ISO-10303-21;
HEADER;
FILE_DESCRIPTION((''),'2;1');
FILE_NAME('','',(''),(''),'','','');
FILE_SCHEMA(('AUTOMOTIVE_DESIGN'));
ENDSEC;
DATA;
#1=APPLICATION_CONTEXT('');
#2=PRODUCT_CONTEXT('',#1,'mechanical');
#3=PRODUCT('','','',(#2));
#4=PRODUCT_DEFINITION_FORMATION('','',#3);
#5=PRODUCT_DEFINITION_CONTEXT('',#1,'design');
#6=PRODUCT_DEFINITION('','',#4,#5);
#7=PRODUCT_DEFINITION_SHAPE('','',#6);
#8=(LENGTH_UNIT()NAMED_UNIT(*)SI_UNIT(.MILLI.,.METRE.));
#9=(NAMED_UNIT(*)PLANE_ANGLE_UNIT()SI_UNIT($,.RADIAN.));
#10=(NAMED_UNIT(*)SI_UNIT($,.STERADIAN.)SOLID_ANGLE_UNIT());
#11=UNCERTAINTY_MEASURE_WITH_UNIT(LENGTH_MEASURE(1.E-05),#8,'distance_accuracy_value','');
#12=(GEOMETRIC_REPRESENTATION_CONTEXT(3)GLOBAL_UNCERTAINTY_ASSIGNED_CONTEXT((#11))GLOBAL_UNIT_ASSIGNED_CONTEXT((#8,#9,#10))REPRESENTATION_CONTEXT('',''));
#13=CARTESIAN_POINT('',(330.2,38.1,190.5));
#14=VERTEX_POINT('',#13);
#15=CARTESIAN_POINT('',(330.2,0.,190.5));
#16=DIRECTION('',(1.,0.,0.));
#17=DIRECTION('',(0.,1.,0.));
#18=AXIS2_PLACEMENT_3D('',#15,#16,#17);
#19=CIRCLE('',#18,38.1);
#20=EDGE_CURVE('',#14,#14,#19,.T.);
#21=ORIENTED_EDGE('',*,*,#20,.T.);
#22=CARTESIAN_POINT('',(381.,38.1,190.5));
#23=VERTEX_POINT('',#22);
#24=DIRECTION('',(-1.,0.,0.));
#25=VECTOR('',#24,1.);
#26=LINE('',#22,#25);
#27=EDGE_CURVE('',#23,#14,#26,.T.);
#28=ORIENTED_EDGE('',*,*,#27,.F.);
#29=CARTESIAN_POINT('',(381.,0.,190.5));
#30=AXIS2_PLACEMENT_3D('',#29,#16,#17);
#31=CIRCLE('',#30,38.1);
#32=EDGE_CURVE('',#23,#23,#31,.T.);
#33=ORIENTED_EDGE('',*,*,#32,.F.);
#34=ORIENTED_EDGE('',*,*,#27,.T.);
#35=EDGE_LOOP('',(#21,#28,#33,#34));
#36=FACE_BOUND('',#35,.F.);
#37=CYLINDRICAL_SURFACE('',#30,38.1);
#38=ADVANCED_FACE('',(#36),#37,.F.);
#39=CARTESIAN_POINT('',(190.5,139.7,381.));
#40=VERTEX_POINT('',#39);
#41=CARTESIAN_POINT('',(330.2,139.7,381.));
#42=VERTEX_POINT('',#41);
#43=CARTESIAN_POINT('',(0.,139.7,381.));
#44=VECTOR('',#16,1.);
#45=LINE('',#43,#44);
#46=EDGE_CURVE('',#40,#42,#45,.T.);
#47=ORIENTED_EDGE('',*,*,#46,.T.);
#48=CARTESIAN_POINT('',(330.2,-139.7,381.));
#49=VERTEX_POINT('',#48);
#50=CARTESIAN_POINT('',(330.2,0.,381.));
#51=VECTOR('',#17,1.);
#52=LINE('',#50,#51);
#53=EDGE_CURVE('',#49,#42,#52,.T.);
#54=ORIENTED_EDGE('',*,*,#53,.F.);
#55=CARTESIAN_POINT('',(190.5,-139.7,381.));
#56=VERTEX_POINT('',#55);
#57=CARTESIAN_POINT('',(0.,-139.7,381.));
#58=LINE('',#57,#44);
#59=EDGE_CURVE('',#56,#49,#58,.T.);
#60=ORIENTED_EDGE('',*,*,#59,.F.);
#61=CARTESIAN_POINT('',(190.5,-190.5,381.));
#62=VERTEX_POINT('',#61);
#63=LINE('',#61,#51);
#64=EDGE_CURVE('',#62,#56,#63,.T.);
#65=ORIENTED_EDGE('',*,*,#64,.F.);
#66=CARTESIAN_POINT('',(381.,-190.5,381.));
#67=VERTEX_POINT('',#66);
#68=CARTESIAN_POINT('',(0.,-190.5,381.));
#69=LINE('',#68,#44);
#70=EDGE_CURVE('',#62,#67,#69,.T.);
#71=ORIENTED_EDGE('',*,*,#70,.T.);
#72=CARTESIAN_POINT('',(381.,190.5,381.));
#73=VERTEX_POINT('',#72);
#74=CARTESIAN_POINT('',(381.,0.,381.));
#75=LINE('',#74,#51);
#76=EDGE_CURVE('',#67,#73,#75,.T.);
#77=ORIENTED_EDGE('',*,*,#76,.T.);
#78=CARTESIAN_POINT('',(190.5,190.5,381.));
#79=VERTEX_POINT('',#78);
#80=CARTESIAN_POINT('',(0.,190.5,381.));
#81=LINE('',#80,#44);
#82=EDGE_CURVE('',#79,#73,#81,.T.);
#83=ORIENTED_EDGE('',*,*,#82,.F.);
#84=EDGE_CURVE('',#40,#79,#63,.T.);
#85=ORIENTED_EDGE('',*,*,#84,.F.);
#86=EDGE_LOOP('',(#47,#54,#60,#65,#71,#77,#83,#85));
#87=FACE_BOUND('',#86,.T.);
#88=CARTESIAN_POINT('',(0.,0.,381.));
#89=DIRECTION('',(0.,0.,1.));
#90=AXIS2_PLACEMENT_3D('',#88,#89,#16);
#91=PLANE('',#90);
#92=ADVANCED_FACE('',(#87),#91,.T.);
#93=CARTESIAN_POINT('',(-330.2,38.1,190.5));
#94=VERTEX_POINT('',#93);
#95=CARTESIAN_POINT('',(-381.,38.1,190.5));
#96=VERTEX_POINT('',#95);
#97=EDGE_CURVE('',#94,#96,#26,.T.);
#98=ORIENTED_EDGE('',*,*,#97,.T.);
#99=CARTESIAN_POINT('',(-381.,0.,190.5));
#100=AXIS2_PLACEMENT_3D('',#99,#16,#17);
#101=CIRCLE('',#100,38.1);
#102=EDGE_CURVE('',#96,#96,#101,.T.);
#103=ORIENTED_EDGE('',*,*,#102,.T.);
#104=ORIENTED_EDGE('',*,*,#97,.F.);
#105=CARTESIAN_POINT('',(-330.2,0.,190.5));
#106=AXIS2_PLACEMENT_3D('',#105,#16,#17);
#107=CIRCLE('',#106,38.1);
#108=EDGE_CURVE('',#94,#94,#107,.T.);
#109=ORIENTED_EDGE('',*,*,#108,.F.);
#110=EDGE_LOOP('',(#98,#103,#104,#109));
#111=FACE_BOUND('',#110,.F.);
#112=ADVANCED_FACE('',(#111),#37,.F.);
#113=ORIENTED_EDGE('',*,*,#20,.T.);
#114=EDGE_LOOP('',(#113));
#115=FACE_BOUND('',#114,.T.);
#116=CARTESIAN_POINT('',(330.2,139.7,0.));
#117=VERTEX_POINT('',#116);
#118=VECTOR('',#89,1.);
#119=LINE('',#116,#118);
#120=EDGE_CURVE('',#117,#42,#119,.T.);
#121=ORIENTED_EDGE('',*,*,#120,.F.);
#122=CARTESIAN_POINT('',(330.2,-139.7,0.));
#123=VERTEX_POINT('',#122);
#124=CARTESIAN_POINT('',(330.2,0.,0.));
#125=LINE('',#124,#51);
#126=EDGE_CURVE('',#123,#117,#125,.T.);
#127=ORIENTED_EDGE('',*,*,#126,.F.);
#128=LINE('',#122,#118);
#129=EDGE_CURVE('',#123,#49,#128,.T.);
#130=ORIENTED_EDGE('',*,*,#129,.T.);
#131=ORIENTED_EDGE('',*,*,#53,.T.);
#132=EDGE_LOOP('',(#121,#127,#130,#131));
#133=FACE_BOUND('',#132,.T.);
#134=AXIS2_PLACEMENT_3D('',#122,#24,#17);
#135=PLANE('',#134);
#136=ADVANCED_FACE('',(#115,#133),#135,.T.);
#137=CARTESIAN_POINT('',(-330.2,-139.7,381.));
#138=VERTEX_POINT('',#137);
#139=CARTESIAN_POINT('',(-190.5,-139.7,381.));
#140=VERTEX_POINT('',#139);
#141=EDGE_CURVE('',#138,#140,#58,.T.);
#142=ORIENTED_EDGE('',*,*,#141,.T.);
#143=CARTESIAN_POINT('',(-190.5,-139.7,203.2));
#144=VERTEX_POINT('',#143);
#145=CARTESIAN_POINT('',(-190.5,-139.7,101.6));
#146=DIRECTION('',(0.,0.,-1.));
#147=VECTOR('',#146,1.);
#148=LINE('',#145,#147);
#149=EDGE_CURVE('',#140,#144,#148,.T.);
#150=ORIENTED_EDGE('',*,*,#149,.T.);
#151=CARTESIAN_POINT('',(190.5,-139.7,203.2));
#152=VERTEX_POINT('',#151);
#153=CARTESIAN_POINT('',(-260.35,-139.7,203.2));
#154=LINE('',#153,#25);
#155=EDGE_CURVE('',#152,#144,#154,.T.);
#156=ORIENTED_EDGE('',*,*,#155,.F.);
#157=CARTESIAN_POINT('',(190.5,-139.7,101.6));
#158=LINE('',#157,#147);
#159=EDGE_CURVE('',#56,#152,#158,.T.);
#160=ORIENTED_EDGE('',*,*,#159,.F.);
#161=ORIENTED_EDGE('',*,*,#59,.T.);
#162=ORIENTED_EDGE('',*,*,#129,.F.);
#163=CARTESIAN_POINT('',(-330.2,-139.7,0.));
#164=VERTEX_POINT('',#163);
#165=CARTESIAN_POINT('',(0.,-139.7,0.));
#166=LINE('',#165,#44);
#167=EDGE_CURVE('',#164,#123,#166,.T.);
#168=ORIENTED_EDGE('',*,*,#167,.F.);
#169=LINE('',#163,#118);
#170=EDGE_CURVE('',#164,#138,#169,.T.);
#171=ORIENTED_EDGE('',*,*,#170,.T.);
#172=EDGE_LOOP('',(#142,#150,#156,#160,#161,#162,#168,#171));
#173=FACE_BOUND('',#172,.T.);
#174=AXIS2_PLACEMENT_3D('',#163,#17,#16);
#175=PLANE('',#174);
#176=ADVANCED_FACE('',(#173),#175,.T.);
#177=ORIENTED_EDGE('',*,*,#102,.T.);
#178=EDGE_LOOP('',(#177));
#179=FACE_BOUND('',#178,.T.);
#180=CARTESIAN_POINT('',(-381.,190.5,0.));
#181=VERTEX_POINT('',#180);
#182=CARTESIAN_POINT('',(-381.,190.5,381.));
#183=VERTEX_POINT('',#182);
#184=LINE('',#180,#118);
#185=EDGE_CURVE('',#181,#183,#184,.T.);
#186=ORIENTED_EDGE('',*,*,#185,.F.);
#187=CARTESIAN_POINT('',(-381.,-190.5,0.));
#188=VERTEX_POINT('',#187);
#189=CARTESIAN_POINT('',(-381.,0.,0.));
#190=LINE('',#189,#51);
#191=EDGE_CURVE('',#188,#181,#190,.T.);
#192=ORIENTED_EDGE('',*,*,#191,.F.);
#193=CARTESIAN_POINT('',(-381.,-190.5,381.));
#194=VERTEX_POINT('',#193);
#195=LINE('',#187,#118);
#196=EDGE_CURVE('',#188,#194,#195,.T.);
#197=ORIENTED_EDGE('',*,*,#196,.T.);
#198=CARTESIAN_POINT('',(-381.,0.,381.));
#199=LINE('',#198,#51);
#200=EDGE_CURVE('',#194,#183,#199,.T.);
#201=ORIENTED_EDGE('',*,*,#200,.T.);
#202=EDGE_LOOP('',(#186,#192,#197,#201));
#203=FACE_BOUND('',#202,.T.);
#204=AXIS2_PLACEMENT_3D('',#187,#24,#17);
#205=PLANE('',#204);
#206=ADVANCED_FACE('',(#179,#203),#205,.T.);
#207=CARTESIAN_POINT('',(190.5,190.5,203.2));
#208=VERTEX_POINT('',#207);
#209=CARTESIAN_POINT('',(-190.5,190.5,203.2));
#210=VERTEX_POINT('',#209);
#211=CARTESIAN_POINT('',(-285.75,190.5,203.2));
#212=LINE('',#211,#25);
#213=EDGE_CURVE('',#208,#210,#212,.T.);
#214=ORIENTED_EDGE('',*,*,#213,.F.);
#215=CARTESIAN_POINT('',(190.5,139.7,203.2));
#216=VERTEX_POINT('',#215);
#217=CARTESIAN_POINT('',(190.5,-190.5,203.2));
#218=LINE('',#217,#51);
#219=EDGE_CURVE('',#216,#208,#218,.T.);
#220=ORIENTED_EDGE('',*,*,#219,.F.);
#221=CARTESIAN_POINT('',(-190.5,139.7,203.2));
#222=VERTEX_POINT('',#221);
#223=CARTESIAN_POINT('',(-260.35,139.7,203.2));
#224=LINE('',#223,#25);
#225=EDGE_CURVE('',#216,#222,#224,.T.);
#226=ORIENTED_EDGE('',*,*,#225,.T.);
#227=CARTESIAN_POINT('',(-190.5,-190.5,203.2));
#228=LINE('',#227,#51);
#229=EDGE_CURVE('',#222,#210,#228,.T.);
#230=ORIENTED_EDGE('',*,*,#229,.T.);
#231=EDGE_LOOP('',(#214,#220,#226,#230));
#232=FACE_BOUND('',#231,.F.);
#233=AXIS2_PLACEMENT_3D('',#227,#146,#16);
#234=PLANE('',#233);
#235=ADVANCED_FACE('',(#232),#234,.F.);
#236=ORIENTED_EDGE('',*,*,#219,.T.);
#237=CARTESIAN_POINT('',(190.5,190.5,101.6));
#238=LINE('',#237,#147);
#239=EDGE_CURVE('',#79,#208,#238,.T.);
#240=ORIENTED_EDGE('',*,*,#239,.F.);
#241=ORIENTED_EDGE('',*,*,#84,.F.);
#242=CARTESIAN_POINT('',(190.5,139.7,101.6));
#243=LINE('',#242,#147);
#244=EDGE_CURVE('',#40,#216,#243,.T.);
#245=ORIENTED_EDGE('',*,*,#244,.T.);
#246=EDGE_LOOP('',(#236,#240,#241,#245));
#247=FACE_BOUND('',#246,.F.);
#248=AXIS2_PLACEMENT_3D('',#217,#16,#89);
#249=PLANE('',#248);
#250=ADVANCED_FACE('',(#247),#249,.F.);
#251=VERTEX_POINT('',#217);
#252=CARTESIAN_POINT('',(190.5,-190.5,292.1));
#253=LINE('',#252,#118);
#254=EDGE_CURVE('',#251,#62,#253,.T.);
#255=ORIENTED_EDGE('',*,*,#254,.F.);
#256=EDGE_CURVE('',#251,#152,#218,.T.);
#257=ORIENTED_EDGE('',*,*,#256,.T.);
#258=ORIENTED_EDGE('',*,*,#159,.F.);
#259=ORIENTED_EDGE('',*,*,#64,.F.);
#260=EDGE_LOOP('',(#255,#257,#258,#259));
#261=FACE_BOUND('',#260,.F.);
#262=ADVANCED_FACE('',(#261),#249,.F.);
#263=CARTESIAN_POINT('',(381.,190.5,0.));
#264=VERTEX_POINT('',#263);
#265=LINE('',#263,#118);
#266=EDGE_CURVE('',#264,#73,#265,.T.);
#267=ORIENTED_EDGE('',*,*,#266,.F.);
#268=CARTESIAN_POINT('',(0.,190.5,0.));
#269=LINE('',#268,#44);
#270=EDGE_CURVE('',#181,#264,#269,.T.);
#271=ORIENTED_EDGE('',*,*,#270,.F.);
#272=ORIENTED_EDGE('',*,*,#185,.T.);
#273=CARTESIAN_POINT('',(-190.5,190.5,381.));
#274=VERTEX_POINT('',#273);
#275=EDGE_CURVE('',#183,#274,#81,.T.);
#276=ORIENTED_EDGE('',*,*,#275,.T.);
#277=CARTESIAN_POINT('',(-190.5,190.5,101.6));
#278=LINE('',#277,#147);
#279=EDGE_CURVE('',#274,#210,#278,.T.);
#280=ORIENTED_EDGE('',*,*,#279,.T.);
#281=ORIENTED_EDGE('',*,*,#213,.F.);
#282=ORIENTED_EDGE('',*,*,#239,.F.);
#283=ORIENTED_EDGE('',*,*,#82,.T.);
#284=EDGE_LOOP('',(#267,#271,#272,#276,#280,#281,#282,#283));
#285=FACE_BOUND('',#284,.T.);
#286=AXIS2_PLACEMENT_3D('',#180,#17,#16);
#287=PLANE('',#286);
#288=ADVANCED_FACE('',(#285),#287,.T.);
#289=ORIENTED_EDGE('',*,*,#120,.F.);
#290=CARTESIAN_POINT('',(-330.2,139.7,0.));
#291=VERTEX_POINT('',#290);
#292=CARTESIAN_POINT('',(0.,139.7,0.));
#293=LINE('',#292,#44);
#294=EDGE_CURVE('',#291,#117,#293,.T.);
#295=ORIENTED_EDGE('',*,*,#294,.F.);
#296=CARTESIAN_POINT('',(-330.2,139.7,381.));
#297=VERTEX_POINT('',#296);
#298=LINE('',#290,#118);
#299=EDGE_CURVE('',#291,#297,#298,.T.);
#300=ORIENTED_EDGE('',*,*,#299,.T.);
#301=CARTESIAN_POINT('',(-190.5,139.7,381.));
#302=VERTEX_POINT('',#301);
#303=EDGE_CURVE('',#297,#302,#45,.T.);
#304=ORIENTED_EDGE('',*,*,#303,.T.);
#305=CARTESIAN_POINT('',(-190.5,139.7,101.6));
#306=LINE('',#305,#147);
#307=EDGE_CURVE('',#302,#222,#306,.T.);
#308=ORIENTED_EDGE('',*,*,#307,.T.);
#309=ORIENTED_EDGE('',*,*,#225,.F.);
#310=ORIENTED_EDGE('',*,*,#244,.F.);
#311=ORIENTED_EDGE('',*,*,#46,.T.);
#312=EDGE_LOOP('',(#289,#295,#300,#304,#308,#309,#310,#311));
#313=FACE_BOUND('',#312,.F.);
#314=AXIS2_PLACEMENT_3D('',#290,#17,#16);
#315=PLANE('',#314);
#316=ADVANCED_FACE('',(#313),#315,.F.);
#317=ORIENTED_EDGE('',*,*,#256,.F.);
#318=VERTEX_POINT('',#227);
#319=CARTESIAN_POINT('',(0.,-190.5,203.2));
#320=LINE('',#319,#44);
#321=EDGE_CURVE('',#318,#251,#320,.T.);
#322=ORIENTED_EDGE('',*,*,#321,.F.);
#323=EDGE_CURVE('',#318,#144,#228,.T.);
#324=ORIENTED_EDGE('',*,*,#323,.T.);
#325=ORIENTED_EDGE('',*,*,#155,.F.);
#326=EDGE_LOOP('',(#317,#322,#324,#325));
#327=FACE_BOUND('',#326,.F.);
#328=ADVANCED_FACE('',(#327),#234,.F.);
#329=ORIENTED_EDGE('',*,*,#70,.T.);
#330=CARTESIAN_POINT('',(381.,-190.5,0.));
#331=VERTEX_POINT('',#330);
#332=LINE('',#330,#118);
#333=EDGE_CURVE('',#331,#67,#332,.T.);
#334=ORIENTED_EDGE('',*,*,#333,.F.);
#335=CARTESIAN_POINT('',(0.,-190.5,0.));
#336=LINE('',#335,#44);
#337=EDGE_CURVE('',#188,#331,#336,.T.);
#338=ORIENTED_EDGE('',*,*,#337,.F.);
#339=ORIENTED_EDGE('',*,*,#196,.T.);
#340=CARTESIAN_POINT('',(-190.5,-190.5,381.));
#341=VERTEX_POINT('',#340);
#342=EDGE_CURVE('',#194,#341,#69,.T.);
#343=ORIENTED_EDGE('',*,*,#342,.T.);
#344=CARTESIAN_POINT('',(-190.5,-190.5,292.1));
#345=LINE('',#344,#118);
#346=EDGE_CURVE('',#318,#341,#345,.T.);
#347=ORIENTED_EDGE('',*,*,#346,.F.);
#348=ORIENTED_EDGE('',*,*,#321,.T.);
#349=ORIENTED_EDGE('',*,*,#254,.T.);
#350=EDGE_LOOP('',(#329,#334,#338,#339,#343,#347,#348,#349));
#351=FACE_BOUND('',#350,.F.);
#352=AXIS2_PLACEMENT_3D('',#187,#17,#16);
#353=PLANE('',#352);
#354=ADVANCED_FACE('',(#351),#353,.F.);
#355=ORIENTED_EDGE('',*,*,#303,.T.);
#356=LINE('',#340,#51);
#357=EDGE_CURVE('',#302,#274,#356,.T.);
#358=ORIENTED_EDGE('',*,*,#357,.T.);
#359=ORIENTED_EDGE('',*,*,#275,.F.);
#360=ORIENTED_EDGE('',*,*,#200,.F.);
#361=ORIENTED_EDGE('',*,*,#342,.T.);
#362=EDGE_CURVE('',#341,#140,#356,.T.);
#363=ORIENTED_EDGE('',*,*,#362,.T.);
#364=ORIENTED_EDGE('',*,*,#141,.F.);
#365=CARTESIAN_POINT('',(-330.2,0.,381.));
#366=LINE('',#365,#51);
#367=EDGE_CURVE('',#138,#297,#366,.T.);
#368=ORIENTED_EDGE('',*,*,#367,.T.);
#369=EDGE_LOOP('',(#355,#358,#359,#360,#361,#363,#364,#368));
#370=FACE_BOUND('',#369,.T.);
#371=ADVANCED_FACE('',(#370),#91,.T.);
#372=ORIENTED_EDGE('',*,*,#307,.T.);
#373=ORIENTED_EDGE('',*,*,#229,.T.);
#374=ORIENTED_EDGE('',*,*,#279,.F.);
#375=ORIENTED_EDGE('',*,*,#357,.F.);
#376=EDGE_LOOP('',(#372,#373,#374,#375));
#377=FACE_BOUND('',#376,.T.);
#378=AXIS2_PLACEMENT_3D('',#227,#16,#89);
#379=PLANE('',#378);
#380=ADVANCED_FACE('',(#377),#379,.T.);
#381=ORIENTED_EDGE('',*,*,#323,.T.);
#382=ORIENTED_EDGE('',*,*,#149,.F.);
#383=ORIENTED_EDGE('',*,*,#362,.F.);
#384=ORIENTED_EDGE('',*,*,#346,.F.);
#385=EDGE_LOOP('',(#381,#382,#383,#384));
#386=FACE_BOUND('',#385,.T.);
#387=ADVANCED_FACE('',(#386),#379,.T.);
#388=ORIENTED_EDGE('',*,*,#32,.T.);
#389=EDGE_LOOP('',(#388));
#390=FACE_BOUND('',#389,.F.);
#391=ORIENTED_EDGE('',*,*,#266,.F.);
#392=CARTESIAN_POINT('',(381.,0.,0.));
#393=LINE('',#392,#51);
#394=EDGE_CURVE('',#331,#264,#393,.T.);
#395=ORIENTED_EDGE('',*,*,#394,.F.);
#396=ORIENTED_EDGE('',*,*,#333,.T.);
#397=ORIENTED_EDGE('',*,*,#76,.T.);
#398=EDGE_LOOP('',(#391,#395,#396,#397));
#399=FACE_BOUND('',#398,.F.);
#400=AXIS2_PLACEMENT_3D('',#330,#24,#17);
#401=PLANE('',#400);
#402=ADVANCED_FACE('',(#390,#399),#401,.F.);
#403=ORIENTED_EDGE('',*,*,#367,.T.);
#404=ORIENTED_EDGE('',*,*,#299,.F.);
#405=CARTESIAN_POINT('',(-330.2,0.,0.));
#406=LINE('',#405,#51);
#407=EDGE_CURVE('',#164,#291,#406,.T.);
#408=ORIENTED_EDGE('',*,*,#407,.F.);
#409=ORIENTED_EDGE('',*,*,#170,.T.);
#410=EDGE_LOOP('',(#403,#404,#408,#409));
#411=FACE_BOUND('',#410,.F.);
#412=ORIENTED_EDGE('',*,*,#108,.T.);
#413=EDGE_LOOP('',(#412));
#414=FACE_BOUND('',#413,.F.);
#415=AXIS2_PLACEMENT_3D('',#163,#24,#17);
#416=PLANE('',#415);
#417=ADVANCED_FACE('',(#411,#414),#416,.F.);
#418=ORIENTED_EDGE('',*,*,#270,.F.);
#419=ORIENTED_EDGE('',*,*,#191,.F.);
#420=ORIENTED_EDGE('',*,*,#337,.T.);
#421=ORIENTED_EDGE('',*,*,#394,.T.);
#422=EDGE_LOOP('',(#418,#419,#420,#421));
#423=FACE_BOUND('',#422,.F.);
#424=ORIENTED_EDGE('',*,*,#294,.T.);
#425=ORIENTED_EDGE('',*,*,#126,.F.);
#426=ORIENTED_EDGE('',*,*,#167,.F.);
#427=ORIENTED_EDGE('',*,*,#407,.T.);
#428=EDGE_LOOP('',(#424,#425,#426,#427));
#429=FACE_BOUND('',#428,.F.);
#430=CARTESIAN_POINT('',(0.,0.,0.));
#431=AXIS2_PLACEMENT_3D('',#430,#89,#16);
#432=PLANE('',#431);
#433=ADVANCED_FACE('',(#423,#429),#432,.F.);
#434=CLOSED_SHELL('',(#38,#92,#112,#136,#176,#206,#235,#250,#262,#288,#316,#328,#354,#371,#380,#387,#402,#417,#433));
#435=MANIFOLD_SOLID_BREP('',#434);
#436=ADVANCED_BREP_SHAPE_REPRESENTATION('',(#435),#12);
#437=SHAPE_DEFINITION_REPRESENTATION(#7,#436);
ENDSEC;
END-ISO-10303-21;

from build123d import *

# Parameters (mm, degrees)
F0_W     = 762
F0_H     = 381
F0_W_2   = 660.4
F0_H_2   = 279.4
F1_DEPTH = 381
F2_W     = 381
F2_H     = 177.8
F3_DEPTH = 1270
F4_R     = 38.1
F5_DEPTH = 1270


with BuildPart() as f1:
    # F0 (on Top) → F1 (new body)
    with BuildSketch(Plane.XY):
        Rectangle(F0_W, F0_H)
        Rectangle(F0_W_2, F0_H_2, mode=Mode.SUBTRACT)
    extrude(amount=F1_DEPTH)

    # F2 (on face) → F3 (cut)
    with BuildSketch(Plane.XZ.offset(190.5)):
        with Locations((0, 292.1)):
            Rectangle(F2_W, F2_H)
    extrude(amount=-F3_DEPTH, mode=Mode.SUBTRACT)

    # F4 (on face) → F5 (cut)
    with BuildSketch(Plane.YZ.offset(381)):
        with Locations((0, 190.5)):
            Circle(F4_R)
    extrude(amount=-F5_DEPTH, mode=Mode.SUBTRACT)


solid = f1.part
